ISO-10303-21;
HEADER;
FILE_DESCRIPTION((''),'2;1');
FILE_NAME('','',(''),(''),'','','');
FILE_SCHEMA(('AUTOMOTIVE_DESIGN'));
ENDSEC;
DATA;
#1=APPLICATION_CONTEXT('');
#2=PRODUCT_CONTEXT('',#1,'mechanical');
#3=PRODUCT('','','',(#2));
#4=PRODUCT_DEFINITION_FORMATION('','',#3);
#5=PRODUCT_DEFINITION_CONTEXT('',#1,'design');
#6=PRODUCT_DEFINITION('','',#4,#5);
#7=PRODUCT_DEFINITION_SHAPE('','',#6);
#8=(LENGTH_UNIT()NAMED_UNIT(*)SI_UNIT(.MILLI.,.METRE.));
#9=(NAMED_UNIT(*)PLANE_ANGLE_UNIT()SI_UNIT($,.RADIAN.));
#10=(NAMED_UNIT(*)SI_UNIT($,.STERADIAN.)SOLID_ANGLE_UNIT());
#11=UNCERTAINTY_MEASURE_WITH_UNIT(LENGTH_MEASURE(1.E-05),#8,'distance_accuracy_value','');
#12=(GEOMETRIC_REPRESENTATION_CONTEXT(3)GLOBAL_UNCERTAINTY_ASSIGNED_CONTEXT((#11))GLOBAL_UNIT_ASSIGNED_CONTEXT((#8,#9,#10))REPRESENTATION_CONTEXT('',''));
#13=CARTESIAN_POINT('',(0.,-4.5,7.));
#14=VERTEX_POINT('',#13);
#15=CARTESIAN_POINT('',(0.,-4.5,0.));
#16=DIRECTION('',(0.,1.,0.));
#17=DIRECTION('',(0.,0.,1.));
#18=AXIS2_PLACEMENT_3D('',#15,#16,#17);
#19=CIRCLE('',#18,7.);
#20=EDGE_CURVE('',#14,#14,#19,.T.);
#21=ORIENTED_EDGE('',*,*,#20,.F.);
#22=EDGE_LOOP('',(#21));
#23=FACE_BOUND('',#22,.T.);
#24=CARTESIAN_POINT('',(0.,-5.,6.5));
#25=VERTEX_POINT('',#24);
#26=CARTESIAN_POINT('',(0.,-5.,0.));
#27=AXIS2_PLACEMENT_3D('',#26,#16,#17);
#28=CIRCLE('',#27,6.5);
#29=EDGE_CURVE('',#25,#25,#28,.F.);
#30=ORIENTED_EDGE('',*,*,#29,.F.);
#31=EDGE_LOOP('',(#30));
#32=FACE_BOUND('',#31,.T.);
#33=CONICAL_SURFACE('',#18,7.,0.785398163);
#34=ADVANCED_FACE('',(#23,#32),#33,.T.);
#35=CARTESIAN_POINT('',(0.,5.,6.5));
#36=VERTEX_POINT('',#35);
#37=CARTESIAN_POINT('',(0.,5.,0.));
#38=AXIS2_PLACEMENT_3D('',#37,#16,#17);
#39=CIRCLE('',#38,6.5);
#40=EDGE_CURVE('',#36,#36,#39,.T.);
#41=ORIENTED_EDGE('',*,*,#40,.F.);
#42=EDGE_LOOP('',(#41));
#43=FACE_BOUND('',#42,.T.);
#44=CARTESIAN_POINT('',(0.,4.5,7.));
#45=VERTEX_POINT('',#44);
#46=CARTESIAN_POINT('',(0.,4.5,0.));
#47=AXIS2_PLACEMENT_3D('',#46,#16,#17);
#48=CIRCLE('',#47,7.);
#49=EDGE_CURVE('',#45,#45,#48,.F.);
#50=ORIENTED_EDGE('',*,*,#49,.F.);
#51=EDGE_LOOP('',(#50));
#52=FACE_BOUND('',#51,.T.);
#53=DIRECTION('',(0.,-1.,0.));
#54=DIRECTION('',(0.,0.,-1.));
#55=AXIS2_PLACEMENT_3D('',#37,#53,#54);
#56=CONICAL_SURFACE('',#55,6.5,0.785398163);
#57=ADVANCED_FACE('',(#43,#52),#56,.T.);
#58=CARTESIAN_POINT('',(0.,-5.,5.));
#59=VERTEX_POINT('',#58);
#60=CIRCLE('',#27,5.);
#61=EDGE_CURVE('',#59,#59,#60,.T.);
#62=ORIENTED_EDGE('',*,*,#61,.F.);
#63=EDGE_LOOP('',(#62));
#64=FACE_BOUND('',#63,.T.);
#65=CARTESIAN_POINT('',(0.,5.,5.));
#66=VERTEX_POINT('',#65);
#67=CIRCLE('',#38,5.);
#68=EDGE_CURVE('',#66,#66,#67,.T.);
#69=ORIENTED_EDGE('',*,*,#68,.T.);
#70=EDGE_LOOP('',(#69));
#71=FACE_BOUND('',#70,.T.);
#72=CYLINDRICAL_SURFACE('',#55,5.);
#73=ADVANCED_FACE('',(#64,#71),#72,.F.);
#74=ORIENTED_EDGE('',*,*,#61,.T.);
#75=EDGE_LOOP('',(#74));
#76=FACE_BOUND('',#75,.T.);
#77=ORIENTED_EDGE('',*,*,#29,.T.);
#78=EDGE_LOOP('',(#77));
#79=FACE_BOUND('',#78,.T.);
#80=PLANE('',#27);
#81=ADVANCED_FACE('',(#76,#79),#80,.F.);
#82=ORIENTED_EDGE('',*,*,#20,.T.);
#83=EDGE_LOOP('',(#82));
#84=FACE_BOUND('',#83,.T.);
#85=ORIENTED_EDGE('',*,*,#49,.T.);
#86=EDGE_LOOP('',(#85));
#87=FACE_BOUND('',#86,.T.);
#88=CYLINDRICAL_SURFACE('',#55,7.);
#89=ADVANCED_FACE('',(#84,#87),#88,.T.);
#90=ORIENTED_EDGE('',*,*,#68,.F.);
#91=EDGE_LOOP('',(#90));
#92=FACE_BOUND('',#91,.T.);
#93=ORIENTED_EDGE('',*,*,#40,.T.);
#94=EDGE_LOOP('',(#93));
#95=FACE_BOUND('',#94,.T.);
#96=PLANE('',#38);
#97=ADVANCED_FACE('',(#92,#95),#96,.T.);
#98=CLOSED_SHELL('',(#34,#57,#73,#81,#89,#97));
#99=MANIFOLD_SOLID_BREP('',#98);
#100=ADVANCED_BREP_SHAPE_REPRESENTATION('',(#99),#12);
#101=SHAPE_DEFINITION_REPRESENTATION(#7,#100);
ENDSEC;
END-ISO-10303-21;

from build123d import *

# Parameters (mm, degrees)
SKETCH_1_R      = 7
SKETCH_1_R_2    = 5
EXTRUDE_1_DEPTH = 5
CHAMFER_1_SIZE  = 0.5


with BuildPart() as part:
    # 草图1 → 凸台-拉伸1 (new, symmetric)
    with BuildSketch(Plane(origin=(0, 0, 0), x_dir=(1, 0, 0), z_dir=(0, 1, 0))):
        with Locations(Location((0, 0, 0), (0, 0, 270))):
            Circle(SKETCH_1_R)
        with Locations(Location((0, 0, 0), (0, 0, 270))):
            Circle(SKETCH_1_R_2, mode=Mode.SUBTRACT)
    extrude(amount=EXTRUDE_1_DEPTH, both=True)

    # 倒角1
    chamfer_1_edges = [part.edges().sort_by_distance(p)[0] for p in [
        (0, -5, -7),
        (0, 5, -7),
    ]]
    chamfer(chamfer_1_edges, length=CHAMFER_1_SIZE)


solid = part.part
